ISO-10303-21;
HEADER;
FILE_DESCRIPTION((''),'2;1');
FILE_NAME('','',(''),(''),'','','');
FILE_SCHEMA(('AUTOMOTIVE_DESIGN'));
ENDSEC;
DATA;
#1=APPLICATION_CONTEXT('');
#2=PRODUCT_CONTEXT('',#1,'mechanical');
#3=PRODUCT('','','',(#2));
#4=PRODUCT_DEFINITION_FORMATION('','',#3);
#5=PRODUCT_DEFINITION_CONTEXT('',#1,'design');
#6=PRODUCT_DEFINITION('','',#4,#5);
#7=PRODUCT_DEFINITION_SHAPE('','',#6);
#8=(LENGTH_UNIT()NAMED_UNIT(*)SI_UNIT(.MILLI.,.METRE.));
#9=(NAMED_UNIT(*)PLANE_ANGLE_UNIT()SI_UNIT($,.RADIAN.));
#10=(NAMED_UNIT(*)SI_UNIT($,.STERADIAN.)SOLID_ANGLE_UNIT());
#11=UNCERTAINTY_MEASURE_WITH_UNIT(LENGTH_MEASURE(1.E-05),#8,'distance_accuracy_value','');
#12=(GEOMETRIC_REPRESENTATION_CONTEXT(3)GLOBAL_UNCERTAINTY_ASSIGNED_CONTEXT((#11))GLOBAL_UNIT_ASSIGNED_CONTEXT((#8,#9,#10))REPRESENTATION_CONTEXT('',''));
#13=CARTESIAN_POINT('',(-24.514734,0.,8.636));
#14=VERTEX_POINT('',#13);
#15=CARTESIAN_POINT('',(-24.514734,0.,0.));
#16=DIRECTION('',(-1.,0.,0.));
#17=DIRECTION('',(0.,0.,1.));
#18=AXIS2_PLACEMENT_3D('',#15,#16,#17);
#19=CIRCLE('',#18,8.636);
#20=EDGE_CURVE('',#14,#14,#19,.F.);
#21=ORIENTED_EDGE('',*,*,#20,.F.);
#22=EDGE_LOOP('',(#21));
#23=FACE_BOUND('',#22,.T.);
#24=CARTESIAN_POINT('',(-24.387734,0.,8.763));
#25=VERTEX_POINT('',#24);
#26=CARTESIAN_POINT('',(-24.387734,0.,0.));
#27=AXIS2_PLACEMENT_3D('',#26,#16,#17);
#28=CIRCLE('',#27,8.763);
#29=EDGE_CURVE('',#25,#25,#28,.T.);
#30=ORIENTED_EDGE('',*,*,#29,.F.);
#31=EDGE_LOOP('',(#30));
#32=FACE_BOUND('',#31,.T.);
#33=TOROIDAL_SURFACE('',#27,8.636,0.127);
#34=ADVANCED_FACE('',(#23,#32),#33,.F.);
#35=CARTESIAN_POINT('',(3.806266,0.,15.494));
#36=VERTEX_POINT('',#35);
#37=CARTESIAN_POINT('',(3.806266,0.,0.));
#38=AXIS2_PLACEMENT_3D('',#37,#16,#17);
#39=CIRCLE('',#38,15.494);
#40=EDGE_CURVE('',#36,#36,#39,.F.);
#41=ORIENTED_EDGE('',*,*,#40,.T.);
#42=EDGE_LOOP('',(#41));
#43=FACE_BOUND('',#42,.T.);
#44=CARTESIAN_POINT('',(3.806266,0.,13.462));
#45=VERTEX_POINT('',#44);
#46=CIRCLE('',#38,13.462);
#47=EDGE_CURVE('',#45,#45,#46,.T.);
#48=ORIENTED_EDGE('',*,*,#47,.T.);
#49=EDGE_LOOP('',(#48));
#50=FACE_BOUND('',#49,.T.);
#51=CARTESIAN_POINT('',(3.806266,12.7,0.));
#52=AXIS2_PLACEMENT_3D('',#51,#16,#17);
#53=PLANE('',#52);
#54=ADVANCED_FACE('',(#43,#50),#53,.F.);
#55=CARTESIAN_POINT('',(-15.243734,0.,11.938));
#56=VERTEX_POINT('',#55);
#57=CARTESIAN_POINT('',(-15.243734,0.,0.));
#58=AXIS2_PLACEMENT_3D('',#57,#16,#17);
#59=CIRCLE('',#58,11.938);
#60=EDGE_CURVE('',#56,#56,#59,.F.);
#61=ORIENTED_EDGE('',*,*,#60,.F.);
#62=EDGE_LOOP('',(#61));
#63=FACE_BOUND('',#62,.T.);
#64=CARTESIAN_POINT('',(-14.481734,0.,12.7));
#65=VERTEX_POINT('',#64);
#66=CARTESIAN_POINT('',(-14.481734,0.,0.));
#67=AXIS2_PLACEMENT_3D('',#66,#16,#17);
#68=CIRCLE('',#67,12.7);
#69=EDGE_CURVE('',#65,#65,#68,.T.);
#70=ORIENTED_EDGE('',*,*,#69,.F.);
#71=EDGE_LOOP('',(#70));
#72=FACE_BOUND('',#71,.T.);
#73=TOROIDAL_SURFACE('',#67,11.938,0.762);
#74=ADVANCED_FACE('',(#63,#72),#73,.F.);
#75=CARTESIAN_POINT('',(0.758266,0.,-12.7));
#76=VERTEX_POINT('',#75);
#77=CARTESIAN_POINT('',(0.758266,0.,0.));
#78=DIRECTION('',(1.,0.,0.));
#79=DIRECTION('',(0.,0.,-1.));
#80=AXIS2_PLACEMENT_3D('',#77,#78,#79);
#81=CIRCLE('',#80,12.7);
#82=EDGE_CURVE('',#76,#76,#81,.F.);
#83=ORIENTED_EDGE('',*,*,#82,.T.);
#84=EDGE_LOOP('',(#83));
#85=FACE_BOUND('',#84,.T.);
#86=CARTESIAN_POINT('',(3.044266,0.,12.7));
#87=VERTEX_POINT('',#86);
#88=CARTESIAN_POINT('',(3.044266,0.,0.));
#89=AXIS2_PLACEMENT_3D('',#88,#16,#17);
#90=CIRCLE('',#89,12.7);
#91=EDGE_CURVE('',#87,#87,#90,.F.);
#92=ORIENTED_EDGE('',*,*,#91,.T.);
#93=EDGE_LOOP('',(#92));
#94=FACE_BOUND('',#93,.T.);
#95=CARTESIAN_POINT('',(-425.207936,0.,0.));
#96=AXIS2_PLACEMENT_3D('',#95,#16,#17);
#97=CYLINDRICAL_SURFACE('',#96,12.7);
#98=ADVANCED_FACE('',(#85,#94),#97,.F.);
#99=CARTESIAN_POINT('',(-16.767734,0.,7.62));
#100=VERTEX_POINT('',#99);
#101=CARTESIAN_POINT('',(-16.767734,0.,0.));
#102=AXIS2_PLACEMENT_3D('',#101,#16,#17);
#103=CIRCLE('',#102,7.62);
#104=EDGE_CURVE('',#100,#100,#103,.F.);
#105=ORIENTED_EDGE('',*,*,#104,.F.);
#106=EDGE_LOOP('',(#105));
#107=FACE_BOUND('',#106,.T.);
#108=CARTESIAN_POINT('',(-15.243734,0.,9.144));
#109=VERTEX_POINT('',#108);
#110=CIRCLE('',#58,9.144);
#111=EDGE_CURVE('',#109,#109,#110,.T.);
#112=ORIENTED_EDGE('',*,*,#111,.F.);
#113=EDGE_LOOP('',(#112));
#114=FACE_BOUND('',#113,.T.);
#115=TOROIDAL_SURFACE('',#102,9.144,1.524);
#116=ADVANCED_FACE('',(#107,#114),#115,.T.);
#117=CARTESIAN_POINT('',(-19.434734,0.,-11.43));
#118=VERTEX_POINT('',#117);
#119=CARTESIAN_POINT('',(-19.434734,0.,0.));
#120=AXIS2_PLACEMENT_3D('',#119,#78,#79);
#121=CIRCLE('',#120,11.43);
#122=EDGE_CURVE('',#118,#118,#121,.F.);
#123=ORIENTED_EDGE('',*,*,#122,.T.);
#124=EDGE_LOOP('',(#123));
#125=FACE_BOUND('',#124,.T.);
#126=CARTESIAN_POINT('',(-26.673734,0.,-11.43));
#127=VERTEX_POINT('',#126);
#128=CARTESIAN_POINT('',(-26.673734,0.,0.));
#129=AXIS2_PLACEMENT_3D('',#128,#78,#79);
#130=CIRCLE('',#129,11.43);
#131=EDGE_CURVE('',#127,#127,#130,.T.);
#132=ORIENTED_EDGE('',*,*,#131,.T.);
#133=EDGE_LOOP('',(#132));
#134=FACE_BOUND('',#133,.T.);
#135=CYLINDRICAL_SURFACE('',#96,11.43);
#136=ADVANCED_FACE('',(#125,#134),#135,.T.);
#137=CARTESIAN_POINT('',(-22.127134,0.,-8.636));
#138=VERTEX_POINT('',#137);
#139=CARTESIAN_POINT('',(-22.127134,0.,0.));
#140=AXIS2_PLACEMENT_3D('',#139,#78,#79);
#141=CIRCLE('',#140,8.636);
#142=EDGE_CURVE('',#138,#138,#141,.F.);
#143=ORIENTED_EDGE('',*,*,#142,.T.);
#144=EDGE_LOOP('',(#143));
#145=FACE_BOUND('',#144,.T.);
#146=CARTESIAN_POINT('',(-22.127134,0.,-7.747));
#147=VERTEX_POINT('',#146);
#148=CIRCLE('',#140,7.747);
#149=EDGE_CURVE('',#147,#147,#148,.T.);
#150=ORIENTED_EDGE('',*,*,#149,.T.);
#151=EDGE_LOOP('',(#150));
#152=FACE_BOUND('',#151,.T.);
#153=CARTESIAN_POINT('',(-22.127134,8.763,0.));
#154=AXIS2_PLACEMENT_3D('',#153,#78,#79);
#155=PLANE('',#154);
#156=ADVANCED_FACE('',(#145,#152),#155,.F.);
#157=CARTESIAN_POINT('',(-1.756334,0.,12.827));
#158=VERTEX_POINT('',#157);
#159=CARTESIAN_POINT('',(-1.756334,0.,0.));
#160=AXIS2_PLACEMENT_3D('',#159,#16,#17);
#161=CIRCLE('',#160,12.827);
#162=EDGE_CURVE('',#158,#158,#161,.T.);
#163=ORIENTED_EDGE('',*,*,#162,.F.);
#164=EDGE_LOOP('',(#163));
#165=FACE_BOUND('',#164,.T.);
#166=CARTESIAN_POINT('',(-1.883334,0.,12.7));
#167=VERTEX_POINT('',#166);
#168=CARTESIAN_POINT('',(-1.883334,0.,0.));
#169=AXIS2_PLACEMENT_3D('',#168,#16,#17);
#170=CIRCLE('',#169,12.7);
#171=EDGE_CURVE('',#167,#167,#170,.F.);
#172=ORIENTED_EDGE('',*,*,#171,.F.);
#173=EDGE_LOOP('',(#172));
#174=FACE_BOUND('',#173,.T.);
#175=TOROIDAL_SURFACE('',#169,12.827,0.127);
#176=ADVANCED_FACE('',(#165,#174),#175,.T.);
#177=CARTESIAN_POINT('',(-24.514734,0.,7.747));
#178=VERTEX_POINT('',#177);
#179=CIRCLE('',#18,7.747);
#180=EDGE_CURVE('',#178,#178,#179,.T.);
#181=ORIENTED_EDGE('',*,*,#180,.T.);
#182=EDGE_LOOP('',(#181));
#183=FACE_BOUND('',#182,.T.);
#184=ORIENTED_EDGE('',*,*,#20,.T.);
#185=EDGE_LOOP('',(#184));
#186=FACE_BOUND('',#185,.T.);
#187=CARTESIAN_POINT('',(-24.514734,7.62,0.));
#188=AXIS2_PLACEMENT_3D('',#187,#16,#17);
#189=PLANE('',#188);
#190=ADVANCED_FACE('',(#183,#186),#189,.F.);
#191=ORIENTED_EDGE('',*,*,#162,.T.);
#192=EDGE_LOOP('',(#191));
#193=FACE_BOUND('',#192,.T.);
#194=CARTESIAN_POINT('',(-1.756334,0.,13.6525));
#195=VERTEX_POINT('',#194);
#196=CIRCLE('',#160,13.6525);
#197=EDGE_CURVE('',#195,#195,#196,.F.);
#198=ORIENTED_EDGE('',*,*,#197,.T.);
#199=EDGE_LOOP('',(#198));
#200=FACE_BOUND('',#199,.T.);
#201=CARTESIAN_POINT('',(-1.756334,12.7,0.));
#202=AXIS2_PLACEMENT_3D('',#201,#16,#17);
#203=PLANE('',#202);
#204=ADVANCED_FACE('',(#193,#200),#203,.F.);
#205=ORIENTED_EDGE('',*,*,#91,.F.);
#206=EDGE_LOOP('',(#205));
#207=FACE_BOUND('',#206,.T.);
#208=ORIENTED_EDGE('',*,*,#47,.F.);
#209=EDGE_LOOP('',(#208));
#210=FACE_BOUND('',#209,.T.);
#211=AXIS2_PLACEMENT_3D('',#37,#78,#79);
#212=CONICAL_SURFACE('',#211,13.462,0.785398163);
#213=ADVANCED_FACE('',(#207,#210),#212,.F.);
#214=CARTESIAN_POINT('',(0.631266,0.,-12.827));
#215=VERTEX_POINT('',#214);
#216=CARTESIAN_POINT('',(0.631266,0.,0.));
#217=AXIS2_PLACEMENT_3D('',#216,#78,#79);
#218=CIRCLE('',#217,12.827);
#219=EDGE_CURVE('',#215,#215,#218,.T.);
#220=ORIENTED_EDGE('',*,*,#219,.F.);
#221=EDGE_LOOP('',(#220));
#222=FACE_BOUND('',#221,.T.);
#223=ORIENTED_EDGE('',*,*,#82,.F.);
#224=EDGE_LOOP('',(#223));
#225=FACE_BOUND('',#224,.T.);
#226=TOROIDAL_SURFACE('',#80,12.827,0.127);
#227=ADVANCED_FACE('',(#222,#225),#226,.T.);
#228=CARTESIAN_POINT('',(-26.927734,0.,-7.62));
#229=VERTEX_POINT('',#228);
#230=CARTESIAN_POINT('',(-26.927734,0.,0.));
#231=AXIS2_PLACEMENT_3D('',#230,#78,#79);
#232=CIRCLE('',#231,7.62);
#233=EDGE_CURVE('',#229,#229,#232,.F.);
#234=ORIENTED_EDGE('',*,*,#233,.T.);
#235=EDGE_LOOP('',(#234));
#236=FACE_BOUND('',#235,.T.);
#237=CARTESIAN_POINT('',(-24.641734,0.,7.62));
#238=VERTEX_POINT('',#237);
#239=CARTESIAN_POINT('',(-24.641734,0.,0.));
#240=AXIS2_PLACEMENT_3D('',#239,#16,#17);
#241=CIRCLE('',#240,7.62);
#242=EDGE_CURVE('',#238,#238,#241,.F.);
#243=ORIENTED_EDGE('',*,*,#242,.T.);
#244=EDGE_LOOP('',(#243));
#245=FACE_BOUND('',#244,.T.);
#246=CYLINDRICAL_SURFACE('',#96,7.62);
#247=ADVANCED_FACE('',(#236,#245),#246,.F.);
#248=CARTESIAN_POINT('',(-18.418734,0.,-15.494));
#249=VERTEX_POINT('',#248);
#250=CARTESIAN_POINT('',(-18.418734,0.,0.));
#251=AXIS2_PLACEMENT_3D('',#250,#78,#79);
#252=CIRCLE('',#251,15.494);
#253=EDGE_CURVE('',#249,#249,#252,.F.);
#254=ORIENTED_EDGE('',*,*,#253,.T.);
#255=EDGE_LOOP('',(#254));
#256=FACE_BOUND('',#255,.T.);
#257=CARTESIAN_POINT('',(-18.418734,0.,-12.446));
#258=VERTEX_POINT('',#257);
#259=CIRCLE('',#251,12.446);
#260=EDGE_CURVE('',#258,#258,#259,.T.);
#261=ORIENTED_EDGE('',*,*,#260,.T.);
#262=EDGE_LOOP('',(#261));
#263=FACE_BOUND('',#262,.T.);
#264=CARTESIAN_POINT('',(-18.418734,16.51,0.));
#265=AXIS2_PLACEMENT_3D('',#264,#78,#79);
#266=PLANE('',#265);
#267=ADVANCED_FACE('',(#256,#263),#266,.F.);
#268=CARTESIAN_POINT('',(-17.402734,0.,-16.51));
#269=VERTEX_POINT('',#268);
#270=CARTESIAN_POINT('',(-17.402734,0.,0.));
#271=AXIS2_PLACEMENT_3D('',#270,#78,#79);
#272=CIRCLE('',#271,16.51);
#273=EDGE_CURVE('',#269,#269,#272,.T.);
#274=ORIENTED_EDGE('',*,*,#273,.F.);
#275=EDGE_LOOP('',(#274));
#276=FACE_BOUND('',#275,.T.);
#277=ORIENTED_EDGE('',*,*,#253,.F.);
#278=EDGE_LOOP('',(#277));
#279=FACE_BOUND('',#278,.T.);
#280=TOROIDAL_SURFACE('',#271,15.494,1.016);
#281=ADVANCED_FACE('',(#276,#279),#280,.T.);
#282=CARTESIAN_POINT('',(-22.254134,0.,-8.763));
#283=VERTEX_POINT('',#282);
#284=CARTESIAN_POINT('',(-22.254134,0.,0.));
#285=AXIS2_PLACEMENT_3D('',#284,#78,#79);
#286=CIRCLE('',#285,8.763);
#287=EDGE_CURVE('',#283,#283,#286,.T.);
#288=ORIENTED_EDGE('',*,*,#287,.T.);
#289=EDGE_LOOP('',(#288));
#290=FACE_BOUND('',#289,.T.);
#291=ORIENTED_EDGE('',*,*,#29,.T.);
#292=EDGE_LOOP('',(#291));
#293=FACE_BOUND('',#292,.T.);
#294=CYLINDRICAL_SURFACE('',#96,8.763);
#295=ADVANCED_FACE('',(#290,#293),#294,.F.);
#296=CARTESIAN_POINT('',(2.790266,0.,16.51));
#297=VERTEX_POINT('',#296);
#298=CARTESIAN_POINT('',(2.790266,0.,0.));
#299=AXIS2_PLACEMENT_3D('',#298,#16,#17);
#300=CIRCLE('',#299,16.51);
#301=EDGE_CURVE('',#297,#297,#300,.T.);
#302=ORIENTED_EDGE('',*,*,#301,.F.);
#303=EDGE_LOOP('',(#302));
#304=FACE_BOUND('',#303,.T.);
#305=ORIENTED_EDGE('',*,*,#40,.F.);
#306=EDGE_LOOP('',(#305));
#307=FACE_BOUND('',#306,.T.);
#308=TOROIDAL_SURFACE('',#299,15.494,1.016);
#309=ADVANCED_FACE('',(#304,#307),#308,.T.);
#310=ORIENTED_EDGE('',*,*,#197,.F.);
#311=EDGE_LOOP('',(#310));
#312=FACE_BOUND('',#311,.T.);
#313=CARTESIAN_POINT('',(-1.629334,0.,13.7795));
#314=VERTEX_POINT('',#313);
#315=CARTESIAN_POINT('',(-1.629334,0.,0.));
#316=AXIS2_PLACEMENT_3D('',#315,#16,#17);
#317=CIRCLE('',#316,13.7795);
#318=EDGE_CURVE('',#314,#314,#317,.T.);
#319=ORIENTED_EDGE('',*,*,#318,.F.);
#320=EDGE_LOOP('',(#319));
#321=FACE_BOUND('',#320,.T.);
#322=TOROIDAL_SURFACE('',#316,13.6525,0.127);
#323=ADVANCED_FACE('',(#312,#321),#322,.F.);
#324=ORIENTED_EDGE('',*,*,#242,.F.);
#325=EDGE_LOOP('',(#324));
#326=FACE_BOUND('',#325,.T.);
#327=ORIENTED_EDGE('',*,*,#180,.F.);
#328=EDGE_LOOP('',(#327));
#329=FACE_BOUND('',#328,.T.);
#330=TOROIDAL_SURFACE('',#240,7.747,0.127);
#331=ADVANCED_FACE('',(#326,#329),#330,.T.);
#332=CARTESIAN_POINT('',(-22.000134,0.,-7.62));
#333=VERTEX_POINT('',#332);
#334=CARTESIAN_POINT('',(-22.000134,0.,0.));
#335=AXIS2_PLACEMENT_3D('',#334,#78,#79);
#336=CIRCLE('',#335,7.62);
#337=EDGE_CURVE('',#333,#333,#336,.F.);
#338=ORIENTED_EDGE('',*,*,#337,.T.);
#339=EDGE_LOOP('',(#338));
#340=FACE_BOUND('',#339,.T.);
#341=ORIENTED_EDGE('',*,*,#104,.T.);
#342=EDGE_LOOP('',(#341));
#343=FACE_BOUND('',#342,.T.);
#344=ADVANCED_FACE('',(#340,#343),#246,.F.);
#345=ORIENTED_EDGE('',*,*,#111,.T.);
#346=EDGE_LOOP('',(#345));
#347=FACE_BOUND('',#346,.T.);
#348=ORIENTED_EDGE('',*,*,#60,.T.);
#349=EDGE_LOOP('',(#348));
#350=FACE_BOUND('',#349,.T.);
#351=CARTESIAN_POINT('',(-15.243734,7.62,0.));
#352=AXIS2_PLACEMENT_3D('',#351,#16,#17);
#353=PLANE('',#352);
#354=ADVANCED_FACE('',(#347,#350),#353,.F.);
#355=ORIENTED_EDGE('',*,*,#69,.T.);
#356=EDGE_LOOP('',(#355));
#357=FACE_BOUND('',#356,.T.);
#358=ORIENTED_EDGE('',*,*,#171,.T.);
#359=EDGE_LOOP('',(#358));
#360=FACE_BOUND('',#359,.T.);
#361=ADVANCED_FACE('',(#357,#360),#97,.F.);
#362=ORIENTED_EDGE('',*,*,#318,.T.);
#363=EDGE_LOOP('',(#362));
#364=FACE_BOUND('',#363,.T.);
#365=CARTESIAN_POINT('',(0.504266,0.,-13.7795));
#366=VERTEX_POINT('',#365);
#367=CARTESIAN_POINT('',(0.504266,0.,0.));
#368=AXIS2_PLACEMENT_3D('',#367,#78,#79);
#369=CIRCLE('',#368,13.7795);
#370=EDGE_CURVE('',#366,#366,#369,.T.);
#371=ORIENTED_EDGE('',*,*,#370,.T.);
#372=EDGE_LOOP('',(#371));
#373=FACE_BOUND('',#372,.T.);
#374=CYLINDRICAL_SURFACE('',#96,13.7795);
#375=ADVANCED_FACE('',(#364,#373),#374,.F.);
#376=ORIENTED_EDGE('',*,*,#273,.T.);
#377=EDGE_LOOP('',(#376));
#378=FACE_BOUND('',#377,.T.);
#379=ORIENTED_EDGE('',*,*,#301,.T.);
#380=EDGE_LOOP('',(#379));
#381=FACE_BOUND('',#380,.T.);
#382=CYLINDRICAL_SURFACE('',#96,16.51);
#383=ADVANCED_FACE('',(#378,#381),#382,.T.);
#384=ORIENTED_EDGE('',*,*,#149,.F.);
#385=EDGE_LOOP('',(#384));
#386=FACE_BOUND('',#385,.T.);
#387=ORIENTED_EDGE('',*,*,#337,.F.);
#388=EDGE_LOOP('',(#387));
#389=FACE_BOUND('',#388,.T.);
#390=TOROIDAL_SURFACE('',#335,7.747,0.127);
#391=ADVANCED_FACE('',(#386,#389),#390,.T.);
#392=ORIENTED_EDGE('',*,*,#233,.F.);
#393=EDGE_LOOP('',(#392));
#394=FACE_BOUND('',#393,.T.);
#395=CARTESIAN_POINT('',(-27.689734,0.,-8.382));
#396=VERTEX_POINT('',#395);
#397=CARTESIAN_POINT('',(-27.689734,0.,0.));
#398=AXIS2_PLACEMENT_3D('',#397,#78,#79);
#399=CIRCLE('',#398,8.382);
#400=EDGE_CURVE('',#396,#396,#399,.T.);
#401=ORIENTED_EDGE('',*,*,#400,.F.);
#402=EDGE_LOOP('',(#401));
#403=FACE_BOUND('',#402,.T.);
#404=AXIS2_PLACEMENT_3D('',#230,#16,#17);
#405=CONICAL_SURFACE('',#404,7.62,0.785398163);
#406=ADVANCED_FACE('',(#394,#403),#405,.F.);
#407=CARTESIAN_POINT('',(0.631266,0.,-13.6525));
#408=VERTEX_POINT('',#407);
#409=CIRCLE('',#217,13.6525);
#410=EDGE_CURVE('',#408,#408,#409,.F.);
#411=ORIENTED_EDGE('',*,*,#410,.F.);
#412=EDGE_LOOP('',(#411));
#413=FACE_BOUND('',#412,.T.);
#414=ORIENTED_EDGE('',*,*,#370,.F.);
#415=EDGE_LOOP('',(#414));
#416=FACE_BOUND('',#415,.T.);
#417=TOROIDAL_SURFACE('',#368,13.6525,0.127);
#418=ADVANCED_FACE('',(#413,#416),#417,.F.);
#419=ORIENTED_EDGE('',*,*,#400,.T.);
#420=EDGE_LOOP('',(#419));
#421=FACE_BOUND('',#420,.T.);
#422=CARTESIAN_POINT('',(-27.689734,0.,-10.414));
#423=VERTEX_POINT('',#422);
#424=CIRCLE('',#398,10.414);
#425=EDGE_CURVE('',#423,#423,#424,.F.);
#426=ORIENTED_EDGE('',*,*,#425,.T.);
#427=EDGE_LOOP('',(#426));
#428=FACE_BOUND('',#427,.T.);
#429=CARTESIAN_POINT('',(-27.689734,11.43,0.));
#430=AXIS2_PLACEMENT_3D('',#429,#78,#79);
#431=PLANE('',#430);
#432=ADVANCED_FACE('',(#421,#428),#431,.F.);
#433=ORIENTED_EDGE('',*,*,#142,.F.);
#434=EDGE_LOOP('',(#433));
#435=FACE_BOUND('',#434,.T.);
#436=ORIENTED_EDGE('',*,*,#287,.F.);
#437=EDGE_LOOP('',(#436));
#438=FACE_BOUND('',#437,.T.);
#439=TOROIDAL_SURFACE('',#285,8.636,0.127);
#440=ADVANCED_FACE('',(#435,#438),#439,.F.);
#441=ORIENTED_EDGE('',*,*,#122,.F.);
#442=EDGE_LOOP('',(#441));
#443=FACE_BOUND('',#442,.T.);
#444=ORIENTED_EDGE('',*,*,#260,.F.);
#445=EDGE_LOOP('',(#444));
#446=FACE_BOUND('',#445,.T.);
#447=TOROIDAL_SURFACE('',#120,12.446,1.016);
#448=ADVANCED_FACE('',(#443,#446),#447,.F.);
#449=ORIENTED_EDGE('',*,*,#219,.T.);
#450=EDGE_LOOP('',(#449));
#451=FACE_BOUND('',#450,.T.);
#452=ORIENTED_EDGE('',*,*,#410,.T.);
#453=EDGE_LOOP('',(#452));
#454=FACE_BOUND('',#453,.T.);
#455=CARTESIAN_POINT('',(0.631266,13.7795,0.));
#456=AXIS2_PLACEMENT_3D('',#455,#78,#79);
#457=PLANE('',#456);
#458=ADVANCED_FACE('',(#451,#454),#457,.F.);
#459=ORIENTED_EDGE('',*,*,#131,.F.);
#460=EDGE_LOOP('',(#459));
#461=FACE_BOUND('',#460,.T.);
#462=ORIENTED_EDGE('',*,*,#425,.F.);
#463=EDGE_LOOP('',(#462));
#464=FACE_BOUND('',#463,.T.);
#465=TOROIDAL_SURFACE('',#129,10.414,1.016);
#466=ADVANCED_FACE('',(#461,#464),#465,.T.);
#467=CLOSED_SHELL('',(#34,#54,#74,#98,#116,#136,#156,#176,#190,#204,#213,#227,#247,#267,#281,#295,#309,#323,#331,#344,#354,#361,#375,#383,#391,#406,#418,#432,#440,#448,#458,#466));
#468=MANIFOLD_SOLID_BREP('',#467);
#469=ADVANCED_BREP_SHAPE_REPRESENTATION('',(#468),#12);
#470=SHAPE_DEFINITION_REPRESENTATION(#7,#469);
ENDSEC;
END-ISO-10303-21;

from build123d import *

# Parameters (mm, degrees)
CHAMFER1_SIZE = 0.762
FILLET1_R     = 1.016
FILLET2_R     = 1.524
FILLET3_R     = 0.762
FILLET4_R     = 0.127


with BuildPart() as part:
    # Sketch1 → Revolve1 (revolve)
    with BuildSketch(Plane.XY, mode=Mode.PRIVATE) as revolve1_sk:
        Polygon((-27.689733593, 7.62), (-24.514733593, 7.62), (-24.514733593, 8.763), (-22.127133593, 8.763), (-22.127133593, 7.62), (-15.243733593, 7.62), (-15.243733593, 12.7), (-1.756333593, 12.7), (-1.756333593, 13.7795), (0.631266407, 13.7795), (0.631266407, 12.7), (3.806266407, 12.7), (3.806266407, 16.51), (-18.418733593, 16.51), (-18.418733593, 11.43), (-27.689733593, 11.43), align=None)
    revolve(revolve1_sk.sketch.rotate(Axis((-425.207935607, 0, 0), (1, 0, 0)), 90), axis=Axis((-425.207935607, 0, 0), (1, 0, 0)))

    # Chamfer1
    chamfer1_edges = [part.edges().sort_by_distance(p)[0] for p in [
        (3.806266407, 0, -12.7),
        (-27.689733593, 0, -7.62),
    ]]
    chamfer(chamfer1_edges, length=CHAMFER1_SIZE)

    # Fillet1
    fillet1_edges = [part.edges().sort_by_distance(p)[0] for p in [
        (-27.689733593, 0, -11.43),
        (-18.418733593, 0, -11.43),
        (-18.418733593, 0, -16.51),
        (3.806266407, 0, -16.51),
    ]]
    fillet(fillet1_edges, radius=FILLET1_R)

    # Fillet2
    fillet2_edges = [part.edges().sort_by_distance(p)[0] for p in [
        (-15.243733593, 0, -7.62),
    ]]
    fillet(fillet2_edges, radius=FILLET2_R)

    # Fillet3
    fillet3_edges = [part.edges().sort_by_distance(p)[0] for p in [
        (-15.243733593, 0, -12.7),
    ]]
    fillet(fillet3_edges, radius=FILLET3_R)

    # Fillet4
    fillet4_edges = [part.edges().sort_by_distance(p)[0] for p in [
        (0.631266407, 0, -12.7),
        (0.631266407, 0, -13.7795),
        (-1.756333593, 0, -13.7795),
        (-1.756333593, 0, -12.7),
        (-22.127133593, 0, -7.62),
        (-22.127133593, 0, -8.763),
        (-24.514733593, 0, -8.763),
        (-24.514733593, 0, -7.62),
    ]]
    fillet(fillet4_edges, radius=FILLET4_R)


solid = part.part
